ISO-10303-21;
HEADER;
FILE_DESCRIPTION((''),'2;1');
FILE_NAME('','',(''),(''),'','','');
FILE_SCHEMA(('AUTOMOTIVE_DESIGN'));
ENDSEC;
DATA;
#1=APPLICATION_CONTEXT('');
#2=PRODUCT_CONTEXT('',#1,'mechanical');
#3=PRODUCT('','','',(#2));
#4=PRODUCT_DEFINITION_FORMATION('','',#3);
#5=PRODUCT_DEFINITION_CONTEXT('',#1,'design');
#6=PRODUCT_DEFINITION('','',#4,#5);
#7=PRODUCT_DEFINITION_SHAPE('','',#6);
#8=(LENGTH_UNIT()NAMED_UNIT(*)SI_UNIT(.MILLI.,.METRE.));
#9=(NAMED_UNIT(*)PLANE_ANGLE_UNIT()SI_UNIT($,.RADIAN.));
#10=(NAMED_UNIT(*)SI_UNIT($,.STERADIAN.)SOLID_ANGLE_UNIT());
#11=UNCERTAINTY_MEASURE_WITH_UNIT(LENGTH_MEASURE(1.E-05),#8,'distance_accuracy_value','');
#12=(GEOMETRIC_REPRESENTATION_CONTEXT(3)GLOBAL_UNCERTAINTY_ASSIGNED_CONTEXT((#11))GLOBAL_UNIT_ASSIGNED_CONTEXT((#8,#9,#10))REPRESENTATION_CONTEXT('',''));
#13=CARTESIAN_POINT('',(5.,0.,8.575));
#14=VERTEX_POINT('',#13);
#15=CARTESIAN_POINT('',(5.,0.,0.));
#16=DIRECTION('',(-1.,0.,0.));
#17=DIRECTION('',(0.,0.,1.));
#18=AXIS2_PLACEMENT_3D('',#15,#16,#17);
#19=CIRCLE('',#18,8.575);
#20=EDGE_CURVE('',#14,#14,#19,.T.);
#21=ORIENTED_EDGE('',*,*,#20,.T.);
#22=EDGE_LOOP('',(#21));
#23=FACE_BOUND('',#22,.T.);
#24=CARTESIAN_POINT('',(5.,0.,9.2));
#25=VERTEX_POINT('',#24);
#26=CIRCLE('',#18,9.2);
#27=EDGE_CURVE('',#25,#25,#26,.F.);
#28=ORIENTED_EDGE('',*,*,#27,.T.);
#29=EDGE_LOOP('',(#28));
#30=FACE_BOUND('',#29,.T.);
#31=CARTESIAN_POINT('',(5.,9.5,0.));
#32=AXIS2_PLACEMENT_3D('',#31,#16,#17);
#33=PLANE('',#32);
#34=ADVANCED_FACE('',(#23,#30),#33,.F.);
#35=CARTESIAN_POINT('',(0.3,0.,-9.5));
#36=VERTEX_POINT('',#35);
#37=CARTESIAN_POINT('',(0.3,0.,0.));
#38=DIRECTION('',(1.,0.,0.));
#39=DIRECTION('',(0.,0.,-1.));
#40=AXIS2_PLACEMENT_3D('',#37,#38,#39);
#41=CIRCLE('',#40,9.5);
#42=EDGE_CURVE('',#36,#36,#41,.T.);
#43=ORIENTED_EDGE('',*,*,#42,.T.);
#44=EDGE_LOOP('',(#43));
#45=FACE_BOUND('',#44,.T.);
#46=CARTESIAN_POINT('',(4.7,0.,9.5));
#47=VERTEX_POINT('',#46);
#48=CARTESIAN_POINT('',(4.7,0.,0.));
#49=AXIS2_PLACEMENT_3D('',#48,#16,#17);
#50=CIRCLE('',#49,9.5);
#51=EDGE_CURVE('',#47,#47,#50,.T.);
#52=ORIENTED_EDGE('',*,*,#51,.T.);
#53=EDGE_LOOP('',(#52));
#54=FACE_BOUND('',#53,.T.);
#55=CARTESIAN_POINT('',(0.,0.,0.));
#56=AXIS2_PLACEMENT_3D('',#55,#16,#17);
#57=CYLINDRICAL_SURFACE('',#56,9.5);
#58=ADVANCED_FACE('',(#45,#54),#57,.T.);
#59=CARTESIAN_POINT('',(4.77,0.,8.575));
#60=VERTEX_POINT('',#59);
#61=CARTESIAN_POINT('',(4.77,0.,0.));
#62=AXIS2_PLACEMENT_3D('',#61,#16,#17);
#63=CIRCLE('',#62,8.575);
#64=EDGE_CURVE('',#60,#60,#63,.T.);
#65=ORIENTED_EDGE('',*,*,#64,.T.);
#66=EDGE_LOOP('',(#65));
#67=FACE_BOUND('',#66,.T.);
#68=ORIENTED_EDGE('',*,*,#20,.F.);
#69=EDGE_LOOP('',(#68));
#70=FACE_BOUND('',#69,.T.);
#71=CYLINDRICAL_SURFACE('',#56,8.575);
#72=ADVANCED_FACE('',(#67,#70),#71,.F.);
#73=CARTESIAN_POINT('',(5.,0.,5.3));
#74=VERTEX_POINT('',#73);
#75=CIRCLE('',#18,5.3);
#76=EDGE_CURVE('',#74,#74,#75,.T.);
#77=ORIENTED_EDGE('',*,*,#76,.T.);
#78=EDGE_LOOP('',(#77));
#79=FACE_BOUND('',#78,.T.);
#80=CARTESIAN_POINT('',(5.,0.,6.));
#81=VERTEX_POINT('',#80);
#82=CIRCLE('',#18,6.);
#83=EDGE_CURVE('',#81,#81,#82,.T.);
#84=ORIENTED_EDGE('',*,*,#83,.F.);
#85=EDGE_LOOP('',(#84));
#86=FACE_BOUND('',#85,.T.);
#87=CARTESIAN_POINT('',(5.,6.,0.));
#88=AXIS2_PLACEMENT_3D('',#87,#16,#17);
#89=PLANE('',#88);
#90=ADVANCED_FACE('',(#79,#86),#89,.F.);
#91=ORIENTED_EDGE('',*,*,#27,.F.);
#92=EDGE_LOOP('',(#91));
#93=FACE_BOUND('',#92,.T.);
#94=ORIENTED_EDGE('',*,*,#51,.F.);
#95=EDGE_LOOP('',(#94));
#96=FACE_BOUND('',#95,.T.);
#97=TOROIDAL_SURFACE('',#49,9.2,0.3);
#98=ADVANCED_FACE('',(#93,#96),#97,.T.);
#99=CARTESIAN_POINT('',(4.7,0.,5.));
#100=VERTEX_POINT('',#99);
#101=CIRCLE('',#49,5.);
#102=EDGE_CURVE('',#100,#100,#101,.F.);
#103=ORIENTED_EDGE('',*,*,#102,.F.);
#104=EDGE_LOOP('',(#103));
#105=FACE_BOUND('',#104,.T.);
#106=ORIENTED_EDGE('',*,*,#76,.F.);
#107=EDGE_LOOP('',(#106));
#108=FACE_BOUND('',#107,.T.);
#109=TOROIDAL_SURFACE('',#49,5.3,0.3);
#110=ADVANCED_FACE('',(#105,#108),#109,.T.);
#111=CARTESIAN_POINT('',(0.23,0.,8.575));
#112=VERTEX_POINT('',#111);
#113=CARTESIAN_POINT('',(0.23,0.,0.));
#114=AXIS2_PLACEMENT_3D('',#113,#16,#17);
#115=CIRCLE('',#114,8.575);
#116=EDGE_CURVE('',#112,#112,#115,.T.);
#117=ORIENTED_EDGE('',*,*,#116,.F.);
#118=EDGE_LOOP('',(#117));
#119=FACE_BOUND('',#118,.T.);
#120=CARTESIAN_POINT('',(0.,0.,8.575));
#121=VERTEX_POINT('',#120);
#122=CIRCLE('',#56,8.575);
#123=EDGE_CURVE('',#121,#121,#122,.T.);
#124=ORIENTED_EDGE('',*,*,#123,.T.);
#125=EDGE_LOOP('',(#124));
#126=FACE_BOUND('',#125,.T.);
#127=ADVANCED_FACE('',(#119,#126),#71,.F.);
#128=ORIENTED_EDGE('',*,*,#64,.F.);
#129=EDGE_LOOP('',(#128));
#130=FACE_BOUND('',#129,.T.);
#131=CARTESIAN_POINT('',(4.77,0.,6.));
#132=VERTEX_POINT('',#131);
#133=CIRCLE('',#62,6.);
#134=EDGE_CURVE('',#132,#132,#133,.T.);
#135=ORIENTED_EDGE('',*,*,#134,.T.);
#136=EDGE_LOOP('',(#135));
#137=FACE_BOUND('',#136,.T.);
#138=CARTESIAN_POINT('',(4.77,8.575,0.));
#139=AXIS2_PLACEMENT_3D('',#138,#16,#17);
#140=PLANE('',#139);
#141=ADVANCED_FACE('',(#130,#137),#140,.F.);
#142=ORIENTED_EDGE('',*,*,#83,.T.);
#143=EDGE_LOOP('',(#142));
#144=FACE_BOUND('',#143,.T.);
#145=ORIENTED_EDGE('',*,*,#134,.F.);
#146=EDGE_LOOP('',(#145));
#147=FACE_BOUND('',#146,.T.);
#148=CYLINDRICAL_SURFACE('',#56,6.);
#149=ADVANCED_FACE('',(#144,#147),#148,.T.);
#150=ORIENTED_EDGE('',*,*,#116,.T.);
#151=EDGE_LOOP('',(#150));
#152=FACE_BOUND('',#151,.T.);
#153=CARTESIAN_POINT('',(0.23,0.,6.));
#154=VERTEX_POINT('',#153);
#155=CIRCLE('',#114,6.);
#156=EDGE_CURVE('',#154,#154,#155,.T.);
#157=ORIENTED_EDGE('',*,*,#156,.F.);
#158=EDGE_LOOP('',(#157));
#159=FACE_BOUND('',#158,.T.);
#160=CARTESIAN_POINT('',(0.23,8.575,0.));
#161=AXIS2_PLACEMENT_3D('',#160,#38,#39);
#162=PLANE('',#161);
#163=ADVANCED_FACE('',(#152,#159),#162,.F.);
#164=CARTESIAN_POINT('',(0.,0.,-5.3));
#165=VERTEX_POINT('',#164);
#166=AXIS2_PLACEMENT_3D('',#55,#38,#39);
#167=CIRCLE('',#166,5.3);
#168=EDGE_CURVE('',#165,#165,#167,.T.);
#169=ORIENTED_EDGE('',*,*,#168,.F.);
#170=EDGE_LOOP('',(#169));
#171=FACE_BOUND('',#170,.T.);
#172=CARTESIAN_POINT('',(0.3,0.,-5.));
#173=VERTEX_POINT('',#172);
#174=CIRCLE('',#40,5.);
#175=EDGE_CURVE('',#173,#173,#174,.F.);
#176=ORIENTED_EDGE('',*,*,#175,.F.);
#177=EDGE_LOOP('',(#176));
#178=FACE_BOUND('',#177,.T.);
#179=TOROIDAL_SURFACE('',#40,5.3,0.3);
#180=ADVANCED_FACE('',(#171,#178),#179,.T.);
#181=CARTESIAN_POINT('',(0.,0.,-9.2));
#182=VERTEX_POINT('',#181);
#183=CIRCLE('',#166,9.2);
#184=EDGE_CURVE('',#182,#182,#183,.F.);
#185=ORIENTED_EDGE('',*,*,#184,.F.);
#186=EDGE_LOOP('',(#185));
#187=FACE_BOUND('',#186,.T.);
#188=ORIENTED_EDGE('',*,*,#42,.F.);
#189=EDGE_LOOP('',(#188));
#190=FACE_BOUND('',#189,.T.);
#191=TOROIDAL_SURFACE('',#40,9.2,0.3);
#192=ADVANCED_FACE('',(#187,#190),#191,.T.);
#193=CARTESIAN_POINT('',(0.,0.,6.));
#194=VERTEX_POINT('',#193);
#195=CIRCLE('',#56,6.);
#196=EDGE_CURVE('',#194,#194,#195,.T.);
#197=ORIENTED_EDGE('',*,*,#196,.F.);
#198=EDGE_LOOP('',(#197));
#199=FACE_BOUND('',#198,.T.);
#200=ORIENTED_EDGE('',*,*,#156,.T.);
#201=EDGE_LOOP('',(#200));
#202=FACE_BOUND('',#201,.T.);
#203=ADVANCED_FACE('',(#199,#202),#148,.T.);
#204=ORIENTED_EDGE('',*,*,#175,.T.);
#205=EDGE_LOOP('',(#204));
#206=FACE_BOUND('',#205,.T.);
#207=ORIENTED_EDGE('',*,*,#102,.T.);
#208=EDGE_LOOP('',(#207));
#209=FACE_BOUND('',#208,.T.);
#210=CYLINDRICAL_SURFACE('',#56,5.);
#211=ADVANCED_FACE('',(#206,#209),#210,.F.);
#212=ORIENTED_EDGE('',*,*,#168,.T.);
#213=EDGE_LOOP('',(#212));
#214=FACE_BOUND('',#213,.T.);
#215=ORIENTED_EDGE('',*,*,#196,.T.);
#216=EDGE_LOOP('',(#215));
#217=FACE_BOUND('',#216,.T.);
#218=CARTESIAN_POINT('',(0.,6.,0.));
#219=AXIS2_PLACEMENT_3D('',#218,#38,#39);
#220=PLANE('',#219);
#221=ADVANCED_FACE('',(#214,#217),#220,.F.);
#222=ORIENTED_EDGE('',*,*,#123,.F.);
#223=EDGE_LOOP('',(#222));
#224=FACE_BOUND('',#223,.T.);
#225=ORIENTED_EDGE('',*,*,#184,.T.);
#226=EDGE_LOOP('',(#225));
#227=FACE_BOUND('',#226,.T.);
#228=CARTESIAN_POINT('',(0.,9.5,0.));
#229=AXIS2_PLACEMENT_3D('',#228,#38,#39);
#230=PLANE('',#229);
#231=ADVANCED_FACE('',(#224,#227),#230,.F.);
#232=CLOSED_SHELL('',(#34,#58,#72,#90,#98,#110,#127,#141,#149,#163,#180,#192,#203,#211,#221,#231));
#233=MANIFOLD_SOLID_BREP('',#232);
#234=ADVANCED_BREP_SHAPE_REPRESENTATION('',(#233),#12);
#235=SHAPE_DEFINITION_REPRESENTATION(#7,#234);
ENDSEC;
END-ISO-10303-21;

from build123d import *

# Parameters (mm, degrees)
FILLET1_R = 0.3
FILLET2_R = 0.3


with BuildPart() as part:
    # Sketch1 → Revolve1 (revolve)
    with BuildSketch(Plane.XY, mode=Mode.PRIVATE) as revolve1_sk:
        Polygon((0, 5), (5, 5), (5, 6), (4.77, 6), (4.77, 8.575), (5, 8.575), (5, 9.5), (0, 9.5), (0, 8.575), (0.23, 8.575), (0.23, 6), (0, 6), align=None)
    revolve(revolve1_sk.sketch.rotate(Axis((0, 0, 0), (1, 0, 0)), 90), axis=Axis((0, 0, 0), (1, 0, 0)))

    # Fillet1
    fillet1_edges = [part.edges().sort_by_distance(p)[0] for p in [
        (0, 0, -9.5),
        (5, 0, -9.5),
    ]]
    fillet(fillet1_edges, radius=FILLET1_R)

    # Fillet2
    fillet2_edges = [part.edges().sort_by_distance(p)[0] for p in [
        (5, 0, -5),
        (0, 0, -5),
    ]]
    fillet(fillet2_edges, radius=FILLET2_R)


solid = part.part
